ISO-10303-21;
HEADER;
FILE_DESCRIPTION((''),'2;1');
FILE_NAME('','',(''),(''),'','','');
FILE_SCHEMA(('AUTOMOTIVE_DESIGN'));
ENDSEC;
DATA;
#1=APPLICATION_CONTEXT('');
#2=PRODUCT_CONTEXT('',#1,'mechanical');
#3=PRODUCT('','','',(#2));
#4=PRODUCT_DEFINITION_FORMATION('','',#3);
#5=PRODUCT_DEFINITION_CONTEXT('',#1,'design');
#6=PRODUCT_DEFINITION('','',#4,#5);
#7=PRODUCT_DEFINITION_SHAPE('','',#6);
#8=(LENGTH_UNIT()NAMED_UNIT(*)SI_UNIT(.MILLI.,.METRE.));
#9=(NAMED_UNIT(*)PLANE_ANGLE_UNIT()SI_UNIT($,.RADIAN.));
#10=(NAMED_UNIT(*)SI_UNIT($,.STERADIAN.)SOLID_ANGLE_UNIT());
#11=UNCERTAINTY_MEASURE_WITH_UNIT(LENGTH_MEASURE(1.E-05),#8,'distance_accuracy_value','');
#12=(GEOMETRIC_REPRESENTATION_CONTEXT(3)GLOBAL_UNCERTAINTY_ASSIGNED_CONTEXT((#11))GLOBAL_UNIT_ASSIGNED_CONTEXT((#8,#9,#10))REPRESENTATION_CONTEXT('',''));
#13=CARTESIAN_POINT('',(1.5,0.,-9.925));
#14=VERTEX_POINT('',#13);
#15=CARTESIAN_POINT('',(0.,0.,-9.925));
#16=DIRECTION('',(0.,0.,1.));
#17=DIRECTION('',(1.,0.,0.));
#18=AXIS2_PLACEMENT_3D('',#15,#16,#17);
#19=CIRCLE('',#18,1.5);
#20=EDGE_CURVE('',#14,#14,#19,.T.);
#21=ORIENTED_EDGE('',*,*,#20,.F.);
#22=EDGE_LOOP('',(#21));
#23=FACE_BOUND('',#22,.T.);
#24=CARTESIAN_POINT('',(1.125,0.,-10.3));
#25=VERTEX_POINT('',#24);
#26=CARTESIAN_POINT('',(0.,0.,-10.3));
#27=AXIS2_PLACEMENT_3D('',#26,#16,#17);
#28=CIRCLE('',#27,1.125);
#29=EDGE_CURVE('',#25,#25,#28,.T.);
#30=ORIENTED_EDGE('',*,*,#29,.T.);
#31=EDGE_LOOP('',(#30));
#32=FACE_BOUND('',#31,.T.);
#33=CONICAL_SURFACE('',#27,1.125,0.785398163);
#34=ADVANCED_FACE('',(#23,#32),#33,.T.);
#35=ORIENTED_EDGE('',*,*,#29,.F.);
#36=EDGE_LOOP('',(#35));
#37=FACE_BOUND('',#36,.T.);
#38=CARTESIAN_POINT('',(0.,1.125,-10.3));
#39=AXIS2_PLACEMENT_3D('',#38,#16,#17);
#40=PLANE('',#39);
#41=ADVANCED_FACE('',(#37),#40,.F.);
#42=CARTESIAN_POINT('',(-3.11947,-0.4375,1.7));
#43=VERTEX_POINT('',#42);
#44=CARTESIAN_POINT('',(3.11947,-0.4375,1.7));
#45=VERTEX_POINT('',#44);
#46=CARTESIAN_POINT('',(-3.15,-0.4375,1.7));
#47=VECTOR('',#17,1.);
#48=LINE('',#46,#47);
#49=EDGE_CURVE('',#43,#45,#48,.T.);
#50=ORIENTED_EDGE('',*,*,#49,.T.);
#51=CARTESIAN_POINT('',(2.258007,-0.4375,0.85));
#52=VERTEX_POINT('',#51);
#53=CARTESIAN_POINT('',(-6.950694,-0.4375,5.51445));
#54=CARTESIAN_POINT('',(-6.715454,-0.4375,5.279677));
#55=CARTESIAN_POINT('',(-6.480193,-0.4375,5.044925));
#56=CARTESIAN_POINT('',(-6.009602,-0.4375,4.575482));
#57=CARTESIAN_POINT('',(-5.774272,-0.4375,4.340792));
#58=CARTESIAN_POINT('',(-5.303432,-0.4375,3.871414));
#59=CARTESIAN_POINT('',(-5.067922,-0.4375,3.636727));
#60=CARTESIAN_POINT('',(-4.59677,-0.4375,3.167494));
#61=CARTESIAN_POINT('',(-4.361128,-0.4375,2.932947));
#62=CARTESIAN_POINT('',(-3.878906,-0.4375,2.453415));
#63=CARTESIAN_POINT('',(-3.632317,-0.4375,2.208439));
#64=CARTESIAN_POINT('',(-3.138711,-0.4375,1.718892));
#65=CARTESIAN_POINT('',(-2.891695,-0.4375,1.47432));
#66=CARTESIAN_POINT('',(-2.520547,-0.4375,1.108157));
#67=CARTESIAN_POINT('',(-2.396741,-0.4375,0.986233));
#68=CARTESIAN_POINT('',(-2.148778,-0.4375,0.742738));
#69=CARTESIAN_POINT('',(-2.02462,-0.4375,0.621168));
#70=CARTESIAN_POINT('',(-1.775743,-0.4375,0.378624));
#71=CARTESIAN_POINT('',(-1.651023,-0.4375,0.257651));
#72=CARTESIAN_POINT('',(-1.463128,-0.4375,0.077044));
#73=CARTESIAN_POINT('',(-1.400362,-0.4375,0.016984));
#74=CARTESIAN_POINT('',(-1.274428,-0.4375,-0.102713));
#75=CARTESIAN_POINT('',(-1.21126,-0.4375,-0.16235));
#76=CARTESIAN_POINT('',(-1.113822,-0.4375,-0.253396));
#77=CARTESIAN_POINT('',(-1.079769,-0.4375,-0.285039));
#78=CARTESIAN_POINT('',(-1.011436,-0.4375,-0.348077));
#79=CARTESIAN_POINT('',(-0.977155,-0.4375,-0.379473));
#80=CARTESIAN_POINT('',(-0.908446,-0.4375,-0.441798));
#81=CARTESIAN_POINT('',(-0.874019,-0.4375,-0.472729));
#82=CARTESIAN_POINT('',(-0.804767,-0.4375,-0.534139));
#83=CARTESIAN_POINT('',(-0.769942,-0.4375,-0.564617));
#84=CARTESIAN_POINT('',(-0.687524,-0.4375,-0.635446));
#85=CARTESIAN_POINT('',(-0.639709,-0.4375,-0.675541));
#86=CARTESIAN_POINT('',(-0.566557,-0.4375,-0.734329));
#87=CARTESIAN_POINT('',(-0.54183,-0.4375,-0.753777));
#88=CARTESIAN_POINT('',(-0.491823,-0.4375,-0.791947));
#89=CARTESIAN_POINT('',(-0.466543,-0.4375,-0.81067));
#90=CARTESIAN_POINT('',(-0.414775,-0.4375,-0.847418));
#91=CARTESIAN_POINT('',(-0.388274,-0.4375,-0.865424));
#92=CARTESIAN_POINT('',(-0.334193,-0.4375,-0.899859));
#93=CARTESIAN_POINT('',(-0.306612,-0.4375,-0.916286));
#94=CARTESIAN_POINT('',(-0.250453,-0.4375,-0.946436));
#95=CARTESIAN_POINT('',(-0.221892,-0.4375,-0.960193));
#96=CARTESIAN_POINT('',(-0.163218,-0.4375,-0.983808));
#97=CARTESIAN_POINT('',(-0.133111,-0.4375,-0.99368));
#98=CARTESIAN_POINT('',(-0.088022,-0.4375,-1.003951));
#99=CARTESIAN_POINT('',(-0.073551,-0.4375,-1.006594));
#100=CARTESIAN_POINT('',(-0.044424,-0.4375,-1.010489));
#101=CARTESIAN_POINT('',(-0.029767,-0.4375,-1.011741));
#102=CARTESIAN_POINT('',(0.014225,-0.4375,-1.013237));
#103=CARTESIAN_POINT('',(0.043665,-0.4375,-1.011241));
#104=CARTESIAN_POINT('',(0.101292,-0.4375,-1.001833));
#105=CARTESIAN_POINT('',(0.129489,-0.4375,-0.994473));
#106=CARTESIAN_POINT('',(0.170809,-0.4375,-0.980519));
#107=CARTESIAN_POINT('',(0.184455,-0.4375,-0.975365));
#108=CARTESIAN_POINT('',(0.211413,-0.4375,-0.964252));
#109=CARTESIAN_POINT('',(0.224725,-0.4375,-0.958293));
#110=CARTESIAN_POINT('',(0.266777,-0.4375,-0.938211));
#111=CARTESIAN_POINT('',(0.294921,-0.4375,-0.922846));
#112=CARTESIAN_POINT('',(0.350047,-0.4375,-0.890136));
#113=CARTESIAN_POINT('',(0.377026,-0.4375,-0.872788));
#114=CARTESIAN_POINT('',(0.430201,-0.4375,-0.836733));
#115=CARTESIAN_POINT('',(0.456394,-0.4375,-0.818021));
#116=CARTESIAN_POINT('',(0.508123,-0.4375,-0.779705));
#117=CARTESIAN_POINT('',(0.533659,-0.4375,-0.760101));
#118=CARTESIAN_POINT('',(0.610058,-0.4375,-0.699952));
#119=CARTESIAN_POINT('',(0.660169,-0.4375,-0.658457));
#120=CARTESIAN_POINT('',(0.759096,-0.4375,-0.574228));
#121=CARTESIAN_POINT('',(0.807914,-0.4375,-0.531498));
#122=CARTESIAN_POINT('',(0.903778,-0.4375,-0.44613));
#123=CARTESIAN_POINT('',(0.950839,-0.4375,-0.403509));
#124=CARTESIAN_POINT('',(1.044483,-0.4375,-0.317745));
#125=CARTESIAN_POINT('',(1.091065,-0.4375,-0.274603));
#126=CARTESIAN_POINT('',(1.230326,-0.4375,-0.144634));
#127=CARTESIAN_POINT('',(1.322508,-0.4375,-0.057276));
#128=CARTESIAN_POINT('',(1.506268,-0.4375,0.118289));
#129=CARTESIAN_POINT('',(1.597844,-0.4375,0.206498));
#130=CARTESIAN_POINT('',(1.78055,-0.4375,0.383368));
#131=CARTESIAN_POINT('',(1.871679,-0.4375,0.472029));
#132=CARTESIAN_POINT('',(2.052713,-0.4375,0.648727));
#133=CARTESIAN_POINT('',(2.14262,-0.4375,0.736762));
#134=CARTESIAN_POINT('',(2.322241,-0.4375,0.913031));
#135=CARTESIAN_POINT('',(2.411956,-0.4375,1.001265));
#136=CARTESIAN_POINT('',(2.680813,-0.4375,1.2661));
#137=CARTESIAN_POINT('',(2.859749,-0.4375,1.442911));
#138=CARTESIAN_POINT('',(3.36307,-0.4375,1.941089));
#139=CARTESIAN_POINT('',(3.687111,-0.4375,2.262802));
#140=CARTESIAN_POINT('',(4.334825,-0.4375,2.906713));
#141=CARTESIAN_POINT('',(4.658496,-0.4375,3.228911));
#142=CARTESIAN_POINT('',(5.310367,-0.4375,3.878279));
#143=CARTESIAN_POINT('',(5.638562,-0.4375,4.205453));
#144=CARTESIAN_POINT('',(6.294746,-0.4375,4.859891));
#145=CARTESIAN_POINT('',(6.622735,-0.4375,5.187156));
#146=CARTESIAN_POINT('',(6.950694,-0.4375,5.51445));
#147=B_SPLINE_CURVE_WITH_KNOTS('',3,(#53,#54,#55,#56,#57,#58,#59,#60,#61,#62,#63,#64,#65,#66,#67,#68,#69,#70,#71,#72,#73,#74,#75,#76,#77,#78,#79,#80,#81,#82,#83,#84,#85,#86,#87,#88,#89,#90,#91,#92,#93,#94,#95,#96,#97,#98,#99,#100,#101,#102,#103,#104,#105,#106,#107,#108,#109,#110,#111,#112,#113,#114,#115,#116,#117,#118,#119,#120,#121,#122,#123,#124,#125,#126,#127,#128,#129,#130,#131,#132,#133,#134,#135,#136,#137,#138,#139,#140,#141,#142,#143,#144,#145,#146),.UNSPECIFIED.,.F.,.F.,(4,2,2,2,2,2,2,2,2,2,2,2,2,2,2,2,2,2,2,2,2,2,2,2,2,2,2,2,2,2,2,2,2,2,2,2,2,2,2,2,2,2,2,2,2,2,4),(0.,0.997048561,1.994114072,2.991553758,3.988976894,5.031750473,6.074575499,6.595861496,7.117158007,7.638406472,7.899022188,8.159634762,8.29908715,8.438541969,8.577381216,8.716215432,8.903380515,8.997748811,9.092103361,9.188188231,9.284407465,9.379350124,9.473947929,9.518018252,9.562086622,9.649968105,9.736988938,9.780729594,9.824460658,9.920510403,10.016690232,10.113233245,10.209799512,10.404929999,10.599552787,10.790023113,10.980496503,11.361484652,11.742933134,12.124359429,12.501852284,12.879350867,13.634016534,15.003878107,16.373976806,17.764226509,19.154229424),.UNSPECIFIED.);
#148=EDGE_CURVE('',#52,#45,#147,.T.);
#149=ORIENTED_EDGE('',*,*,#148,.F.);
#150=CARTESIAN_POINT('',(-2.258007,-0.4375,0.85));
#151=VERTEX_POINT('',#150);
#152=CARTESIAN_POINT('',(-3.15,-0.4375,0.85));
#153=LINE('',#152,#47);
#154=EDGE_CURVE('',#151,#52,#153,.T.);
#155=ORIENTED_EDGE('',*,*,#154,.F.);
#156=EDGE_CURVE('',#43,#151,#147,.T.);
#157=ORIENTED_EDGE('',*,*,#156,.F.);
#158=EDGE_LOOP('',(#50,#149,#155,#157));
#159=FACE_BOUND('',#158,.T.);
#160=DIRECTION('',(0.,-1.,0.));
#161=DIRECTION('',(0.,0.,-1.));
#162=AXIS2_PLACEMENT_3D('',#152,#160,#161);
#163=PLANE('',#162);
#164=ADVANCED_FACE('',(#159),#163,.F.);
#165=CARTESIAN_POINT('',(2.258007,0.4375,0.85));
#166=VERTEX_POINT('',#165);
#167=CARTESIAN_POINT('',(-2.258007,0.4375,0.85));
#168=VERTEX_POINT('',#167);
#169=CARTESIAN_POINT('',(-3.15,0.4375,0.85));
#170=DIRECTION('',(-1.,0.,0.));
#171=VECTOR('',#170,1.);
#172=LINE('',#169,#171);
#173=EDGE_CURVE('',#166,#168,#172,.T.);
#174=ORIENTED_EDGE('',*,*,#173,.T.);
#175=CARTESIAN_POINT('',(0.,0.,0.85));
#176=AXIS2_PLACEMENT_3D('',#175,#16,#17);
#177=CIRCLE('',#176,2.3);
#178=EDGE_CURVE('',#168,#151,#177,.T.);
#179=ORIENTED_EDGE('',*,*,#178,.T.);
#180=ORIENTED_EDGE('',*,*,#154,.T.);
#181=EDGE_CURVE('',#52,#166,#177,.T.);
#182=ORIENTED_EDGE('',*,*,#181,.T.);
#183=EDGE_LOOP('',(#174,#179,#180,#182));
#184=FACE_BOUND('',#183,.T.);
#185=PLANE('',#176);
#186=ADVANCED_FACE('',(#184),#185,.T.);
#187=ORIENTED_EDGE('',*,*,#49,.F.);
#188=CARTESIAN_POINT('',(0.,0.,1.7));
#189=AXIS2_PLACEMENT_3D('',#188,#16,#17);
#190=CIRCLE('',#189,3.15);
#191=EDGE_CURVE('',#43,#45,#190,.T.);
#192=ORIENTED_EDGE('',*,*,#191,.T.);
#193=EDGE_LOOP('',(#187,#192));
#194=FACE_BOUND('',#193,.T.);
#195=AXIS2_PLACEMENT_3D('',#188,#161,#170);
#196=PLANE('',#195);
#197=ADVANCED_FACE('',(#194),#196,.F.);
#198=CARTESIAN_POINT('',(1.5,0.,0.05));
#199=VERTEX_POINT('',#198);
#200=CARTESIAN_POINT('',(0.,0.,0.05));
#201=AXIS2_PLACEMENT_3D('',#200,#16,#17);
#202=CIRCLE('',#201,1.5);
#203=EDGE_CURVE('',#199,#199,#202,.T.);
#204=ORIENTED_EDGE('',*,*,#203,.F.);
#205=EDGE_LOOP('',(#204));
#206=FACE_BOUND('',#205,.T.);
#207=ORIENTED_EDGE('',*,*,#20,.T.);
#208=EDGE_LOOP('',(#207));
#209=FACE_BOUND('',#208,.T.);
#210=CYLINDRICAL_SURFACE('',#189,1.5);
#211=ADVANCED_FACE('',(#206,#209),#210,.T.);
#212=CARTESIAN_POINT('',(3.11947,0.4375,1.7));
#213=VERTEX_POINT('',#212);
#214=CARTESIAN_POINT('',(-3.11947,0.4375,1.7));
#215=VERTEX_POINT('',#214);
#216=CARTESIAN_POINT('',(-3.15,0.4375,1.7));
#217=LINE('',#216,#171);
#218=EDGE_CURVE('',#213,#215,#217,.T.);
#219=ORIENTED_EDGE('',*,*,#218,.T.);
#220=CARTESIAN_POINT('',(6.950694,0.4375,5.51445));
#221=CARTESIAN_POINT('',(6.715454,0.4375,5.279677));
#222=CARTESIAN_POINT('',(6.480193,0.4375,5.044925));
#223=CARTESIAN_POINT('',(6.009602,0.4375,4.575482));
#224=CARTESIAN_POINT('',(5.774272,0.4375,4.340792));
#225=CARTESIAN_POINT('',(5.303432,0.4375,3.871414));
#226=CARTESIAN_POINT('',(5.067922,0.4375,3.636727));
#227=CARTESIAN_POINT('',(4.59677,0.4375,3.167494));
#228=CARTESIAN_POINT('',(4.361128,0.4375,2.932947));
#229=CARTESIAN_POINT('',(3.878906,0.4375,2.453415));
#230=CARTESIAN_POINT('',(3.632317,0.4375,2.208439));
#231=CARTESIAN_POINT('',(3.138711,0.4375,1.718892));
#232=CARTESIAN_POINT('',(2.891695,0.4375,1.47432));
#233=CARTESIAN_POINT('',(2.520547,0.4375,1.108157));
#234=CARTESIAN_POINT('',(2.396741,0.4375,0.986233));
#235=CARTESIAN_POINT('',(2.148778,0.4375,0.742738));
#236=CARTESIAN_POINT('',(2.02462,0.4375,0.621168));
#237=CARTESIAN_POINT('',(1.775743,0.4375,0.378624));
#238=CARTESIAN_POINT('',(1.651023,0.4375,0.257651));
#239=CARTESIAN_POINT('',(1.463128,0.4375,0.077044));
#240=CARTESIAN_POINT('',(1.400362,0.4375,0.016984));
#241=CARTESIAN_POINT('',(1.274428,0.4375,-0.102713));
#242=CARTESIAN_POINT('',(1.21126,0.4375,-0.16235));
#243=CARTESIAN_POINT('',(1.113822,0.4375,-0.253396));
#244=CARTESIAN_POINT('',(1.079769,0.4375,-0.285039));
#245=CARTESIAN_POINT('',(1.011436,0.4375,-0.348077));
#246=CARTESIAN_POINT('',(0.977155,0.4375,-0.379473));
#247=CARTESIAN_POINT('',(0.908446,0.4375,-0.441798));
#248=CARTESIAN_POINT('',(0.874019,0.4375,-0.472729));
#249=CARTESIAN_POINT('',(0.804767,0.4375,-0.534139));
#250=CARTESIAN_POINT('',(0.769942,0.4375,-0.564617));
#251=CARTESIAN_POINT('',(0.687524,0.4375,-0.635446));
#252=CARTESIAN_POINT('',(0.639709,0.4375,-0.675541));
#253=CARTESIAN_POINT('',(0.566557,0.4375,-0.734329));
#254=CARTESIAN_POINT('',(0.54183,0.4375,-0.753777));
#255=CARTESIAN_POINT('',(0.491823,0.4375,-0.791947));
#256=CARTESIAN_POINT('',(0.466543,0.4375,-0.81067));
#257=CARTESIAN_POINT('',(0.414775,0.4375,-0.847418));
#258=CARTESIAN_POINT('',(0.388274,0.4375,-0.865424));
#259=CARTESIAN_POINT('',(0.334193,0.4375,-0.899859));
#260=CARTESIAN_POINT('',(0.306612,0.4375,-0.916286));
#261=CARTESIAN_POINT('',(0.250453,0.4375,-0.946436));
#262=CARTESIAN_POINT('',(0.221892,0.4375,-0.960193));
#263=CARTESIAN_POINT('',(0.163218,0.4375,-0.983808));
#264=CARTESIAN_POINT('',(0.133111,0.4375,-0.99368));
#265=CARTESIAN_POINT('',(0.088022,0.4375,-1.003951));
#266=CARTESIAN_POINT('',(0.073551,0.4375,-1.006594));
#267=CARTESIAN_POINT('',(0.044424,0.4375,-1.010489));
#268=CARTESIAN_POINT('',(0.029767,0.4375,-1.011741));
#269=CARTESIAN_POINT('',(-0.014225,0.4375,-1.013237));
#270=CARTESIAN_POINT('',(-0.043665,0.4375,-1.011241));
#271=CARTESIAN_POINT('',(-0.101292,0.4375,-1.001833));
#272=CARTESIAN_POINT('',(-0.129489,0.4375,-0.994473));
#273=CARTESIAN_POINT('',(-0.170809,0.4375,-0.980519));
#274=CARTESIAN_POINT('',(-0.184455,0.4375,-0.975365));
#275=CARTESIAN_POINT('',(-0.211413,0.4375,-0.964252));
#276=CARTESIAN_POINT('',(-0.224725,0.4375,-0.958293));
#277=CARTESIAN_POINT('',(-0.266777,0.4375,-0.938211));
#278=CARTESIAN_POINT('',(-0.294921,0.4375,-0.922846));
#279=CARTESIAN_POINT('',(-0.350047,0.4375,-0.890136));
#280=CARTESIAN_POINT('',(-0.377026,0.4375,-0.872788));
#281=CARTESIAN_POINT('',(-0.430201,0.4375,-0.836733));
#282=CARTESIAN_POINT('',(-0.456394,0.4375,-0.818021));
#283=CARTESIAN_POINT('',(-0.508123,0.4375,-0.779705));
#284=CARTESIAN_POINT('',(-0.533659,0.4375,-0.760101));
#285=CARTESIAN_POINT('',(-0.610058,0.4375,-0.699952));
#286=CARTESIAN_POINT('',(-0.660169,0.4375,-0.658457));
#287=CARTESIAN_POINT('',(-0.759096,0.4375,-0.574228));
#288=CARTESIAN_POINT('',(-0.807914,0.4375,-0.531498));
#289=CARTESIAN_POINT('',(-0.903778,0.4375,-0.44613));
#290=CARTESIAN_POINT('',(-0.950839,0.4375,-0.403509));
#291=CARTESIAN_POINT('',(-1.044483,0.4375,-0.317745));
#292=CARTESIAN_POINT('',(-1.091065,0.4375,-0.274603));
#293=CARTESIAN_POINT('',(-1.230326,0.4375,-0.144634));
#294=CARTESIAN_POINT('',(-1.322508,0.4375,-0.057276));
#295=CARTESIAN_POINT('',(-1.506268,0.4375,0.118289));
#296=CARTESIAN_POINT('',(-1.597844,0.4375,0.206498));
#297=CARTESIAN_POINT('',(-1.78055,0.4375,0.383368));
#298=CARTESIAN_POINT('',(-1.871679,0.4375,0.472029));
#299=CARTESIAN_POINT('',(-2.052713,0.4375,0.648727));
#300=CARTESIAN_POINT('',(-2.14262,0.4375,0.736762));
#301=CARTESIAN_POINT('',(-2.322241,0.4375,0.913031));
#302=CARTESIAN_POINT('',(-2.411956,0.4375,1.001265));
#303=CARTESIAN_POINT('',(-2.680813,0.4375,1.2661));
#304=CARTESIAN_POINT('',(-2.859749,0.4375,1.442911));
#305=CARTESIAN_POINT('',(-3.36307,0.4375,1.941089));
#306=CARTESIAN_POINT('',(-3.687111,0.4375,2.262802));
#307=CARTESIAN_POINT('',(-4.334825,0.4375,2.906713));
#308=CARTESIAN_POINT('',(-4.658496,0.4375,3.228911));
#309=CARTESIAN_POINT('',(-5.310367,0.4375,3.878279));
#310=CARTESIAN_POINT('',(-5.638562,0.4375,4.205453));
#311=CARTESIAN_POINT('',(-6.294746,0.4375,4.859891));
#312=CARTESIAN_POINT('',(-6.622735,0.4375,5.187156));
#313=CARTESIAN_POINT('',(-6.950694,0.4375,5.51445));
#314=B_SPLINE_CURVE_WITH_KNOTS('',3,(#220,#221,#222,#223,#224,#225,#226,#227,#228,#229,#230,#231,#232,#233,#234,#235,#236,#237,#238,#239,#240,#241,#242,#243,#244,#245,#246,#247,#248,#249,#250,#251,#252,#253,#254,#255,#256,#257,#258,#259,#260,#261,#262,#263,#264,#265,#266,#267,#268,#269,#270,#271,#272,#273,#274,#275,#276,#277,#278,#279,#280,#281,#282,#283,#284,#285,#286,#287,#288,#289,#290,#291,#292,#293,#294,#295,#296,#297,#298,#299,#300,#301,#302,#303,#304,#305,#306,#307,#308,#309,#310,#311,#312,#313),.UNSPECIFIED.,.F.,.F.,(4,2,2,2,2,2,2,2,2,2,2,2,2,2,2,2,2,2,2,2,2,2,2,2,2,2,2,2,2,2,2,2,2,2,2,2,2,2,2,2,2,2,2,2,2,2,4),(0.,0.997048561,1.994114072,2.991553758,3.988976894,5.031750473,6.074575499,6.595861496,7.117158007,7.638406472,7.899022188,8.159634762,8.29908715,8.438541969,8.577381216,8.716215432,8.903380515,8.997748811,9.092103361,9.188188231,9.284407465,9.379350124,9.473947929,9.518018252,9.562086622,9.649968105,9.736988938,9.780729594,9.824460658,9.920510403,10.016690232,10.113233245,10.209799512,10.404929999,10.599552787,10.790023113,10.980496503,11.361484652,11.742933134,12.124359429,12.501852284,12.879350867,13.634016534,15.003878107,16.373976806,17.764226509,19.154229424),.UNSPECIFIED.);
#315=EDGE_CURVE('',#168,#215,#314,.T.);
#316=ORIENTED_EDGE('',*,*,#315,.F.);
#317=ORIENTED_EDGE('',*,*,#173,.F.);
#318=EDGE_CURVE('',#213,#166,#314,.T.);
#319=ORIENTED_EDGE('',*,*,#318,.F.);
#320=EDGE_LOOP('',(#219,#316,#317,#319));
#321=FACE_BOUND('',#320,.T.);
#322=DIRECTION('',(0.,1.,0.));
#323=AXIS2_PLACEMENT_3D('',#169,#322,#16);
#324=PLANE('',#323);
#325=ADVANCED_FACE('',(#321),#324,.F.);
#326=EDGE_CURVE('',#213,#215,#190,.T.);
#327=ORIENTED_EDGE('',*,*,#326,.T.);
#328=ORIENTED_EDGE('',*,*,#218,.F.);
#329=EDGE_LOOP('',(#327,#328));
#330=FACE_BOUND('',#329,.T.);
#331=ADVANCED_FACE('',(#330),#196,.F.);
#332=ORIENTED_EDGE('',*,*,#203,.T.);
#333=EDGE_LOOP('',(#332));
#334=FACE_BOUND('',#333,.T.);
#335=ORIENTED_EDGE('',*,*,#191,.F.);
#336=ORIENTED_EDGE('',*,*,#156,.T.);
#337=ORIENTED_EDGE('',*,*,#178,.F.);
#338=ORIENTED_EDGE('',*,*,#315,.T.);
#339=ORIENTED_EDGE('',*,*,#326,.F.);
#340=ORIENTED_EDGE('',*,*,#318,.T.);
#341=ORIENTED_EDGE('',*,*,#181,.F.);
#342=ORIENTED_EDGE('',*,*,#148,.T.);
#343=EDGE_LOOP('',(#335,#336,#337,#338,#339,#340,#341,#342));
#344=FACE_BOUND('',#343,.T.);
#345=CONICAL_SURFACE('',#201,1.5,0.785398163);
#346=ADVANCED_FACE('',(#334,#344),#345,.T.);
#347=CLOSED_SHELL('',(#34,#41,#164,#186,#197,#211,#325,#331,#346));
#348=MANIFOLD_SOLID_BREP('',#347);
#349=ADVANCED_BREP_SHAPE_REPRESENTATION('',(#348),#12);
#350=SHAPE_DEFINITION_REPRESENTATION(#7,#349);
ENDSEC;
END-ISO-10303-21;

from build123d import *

# Parameters (mm, degrees)
SKETCH9_W          = 6.3
SKETCH9_H          = 0.875
CUT_EXTRUDE1_DEPTH = 0.85


with BuildPart() as part:
    # Sketch3 → Revolve1 (revolve)
    with BuildSketch(Plane(origin=(0, 0, 0), x_dir=(0, 0, -1), z_dir=(1, 0, 0))):
        Polygon((-1.7, 3.15), (-0.05, 1.5), (9.925, 1.5), (10.3, 1.125), (10.3, 0), (-1.7, 0), align=None)
    revolve(axis=Axis((0, 0, 1.7), (0, 0, -1)))

    # Sketch9 → Cut-Extrude1 (cut)
    with BuildSketch(Plane.XY.offset(1.7)):
        Rectangle(SKETCH9_W, SKETCH9_H)
    extrude(amount=-CUT_EXTRUDE1_DEPTH, mode=Mode.SUBTRACT)


solid = part.part
